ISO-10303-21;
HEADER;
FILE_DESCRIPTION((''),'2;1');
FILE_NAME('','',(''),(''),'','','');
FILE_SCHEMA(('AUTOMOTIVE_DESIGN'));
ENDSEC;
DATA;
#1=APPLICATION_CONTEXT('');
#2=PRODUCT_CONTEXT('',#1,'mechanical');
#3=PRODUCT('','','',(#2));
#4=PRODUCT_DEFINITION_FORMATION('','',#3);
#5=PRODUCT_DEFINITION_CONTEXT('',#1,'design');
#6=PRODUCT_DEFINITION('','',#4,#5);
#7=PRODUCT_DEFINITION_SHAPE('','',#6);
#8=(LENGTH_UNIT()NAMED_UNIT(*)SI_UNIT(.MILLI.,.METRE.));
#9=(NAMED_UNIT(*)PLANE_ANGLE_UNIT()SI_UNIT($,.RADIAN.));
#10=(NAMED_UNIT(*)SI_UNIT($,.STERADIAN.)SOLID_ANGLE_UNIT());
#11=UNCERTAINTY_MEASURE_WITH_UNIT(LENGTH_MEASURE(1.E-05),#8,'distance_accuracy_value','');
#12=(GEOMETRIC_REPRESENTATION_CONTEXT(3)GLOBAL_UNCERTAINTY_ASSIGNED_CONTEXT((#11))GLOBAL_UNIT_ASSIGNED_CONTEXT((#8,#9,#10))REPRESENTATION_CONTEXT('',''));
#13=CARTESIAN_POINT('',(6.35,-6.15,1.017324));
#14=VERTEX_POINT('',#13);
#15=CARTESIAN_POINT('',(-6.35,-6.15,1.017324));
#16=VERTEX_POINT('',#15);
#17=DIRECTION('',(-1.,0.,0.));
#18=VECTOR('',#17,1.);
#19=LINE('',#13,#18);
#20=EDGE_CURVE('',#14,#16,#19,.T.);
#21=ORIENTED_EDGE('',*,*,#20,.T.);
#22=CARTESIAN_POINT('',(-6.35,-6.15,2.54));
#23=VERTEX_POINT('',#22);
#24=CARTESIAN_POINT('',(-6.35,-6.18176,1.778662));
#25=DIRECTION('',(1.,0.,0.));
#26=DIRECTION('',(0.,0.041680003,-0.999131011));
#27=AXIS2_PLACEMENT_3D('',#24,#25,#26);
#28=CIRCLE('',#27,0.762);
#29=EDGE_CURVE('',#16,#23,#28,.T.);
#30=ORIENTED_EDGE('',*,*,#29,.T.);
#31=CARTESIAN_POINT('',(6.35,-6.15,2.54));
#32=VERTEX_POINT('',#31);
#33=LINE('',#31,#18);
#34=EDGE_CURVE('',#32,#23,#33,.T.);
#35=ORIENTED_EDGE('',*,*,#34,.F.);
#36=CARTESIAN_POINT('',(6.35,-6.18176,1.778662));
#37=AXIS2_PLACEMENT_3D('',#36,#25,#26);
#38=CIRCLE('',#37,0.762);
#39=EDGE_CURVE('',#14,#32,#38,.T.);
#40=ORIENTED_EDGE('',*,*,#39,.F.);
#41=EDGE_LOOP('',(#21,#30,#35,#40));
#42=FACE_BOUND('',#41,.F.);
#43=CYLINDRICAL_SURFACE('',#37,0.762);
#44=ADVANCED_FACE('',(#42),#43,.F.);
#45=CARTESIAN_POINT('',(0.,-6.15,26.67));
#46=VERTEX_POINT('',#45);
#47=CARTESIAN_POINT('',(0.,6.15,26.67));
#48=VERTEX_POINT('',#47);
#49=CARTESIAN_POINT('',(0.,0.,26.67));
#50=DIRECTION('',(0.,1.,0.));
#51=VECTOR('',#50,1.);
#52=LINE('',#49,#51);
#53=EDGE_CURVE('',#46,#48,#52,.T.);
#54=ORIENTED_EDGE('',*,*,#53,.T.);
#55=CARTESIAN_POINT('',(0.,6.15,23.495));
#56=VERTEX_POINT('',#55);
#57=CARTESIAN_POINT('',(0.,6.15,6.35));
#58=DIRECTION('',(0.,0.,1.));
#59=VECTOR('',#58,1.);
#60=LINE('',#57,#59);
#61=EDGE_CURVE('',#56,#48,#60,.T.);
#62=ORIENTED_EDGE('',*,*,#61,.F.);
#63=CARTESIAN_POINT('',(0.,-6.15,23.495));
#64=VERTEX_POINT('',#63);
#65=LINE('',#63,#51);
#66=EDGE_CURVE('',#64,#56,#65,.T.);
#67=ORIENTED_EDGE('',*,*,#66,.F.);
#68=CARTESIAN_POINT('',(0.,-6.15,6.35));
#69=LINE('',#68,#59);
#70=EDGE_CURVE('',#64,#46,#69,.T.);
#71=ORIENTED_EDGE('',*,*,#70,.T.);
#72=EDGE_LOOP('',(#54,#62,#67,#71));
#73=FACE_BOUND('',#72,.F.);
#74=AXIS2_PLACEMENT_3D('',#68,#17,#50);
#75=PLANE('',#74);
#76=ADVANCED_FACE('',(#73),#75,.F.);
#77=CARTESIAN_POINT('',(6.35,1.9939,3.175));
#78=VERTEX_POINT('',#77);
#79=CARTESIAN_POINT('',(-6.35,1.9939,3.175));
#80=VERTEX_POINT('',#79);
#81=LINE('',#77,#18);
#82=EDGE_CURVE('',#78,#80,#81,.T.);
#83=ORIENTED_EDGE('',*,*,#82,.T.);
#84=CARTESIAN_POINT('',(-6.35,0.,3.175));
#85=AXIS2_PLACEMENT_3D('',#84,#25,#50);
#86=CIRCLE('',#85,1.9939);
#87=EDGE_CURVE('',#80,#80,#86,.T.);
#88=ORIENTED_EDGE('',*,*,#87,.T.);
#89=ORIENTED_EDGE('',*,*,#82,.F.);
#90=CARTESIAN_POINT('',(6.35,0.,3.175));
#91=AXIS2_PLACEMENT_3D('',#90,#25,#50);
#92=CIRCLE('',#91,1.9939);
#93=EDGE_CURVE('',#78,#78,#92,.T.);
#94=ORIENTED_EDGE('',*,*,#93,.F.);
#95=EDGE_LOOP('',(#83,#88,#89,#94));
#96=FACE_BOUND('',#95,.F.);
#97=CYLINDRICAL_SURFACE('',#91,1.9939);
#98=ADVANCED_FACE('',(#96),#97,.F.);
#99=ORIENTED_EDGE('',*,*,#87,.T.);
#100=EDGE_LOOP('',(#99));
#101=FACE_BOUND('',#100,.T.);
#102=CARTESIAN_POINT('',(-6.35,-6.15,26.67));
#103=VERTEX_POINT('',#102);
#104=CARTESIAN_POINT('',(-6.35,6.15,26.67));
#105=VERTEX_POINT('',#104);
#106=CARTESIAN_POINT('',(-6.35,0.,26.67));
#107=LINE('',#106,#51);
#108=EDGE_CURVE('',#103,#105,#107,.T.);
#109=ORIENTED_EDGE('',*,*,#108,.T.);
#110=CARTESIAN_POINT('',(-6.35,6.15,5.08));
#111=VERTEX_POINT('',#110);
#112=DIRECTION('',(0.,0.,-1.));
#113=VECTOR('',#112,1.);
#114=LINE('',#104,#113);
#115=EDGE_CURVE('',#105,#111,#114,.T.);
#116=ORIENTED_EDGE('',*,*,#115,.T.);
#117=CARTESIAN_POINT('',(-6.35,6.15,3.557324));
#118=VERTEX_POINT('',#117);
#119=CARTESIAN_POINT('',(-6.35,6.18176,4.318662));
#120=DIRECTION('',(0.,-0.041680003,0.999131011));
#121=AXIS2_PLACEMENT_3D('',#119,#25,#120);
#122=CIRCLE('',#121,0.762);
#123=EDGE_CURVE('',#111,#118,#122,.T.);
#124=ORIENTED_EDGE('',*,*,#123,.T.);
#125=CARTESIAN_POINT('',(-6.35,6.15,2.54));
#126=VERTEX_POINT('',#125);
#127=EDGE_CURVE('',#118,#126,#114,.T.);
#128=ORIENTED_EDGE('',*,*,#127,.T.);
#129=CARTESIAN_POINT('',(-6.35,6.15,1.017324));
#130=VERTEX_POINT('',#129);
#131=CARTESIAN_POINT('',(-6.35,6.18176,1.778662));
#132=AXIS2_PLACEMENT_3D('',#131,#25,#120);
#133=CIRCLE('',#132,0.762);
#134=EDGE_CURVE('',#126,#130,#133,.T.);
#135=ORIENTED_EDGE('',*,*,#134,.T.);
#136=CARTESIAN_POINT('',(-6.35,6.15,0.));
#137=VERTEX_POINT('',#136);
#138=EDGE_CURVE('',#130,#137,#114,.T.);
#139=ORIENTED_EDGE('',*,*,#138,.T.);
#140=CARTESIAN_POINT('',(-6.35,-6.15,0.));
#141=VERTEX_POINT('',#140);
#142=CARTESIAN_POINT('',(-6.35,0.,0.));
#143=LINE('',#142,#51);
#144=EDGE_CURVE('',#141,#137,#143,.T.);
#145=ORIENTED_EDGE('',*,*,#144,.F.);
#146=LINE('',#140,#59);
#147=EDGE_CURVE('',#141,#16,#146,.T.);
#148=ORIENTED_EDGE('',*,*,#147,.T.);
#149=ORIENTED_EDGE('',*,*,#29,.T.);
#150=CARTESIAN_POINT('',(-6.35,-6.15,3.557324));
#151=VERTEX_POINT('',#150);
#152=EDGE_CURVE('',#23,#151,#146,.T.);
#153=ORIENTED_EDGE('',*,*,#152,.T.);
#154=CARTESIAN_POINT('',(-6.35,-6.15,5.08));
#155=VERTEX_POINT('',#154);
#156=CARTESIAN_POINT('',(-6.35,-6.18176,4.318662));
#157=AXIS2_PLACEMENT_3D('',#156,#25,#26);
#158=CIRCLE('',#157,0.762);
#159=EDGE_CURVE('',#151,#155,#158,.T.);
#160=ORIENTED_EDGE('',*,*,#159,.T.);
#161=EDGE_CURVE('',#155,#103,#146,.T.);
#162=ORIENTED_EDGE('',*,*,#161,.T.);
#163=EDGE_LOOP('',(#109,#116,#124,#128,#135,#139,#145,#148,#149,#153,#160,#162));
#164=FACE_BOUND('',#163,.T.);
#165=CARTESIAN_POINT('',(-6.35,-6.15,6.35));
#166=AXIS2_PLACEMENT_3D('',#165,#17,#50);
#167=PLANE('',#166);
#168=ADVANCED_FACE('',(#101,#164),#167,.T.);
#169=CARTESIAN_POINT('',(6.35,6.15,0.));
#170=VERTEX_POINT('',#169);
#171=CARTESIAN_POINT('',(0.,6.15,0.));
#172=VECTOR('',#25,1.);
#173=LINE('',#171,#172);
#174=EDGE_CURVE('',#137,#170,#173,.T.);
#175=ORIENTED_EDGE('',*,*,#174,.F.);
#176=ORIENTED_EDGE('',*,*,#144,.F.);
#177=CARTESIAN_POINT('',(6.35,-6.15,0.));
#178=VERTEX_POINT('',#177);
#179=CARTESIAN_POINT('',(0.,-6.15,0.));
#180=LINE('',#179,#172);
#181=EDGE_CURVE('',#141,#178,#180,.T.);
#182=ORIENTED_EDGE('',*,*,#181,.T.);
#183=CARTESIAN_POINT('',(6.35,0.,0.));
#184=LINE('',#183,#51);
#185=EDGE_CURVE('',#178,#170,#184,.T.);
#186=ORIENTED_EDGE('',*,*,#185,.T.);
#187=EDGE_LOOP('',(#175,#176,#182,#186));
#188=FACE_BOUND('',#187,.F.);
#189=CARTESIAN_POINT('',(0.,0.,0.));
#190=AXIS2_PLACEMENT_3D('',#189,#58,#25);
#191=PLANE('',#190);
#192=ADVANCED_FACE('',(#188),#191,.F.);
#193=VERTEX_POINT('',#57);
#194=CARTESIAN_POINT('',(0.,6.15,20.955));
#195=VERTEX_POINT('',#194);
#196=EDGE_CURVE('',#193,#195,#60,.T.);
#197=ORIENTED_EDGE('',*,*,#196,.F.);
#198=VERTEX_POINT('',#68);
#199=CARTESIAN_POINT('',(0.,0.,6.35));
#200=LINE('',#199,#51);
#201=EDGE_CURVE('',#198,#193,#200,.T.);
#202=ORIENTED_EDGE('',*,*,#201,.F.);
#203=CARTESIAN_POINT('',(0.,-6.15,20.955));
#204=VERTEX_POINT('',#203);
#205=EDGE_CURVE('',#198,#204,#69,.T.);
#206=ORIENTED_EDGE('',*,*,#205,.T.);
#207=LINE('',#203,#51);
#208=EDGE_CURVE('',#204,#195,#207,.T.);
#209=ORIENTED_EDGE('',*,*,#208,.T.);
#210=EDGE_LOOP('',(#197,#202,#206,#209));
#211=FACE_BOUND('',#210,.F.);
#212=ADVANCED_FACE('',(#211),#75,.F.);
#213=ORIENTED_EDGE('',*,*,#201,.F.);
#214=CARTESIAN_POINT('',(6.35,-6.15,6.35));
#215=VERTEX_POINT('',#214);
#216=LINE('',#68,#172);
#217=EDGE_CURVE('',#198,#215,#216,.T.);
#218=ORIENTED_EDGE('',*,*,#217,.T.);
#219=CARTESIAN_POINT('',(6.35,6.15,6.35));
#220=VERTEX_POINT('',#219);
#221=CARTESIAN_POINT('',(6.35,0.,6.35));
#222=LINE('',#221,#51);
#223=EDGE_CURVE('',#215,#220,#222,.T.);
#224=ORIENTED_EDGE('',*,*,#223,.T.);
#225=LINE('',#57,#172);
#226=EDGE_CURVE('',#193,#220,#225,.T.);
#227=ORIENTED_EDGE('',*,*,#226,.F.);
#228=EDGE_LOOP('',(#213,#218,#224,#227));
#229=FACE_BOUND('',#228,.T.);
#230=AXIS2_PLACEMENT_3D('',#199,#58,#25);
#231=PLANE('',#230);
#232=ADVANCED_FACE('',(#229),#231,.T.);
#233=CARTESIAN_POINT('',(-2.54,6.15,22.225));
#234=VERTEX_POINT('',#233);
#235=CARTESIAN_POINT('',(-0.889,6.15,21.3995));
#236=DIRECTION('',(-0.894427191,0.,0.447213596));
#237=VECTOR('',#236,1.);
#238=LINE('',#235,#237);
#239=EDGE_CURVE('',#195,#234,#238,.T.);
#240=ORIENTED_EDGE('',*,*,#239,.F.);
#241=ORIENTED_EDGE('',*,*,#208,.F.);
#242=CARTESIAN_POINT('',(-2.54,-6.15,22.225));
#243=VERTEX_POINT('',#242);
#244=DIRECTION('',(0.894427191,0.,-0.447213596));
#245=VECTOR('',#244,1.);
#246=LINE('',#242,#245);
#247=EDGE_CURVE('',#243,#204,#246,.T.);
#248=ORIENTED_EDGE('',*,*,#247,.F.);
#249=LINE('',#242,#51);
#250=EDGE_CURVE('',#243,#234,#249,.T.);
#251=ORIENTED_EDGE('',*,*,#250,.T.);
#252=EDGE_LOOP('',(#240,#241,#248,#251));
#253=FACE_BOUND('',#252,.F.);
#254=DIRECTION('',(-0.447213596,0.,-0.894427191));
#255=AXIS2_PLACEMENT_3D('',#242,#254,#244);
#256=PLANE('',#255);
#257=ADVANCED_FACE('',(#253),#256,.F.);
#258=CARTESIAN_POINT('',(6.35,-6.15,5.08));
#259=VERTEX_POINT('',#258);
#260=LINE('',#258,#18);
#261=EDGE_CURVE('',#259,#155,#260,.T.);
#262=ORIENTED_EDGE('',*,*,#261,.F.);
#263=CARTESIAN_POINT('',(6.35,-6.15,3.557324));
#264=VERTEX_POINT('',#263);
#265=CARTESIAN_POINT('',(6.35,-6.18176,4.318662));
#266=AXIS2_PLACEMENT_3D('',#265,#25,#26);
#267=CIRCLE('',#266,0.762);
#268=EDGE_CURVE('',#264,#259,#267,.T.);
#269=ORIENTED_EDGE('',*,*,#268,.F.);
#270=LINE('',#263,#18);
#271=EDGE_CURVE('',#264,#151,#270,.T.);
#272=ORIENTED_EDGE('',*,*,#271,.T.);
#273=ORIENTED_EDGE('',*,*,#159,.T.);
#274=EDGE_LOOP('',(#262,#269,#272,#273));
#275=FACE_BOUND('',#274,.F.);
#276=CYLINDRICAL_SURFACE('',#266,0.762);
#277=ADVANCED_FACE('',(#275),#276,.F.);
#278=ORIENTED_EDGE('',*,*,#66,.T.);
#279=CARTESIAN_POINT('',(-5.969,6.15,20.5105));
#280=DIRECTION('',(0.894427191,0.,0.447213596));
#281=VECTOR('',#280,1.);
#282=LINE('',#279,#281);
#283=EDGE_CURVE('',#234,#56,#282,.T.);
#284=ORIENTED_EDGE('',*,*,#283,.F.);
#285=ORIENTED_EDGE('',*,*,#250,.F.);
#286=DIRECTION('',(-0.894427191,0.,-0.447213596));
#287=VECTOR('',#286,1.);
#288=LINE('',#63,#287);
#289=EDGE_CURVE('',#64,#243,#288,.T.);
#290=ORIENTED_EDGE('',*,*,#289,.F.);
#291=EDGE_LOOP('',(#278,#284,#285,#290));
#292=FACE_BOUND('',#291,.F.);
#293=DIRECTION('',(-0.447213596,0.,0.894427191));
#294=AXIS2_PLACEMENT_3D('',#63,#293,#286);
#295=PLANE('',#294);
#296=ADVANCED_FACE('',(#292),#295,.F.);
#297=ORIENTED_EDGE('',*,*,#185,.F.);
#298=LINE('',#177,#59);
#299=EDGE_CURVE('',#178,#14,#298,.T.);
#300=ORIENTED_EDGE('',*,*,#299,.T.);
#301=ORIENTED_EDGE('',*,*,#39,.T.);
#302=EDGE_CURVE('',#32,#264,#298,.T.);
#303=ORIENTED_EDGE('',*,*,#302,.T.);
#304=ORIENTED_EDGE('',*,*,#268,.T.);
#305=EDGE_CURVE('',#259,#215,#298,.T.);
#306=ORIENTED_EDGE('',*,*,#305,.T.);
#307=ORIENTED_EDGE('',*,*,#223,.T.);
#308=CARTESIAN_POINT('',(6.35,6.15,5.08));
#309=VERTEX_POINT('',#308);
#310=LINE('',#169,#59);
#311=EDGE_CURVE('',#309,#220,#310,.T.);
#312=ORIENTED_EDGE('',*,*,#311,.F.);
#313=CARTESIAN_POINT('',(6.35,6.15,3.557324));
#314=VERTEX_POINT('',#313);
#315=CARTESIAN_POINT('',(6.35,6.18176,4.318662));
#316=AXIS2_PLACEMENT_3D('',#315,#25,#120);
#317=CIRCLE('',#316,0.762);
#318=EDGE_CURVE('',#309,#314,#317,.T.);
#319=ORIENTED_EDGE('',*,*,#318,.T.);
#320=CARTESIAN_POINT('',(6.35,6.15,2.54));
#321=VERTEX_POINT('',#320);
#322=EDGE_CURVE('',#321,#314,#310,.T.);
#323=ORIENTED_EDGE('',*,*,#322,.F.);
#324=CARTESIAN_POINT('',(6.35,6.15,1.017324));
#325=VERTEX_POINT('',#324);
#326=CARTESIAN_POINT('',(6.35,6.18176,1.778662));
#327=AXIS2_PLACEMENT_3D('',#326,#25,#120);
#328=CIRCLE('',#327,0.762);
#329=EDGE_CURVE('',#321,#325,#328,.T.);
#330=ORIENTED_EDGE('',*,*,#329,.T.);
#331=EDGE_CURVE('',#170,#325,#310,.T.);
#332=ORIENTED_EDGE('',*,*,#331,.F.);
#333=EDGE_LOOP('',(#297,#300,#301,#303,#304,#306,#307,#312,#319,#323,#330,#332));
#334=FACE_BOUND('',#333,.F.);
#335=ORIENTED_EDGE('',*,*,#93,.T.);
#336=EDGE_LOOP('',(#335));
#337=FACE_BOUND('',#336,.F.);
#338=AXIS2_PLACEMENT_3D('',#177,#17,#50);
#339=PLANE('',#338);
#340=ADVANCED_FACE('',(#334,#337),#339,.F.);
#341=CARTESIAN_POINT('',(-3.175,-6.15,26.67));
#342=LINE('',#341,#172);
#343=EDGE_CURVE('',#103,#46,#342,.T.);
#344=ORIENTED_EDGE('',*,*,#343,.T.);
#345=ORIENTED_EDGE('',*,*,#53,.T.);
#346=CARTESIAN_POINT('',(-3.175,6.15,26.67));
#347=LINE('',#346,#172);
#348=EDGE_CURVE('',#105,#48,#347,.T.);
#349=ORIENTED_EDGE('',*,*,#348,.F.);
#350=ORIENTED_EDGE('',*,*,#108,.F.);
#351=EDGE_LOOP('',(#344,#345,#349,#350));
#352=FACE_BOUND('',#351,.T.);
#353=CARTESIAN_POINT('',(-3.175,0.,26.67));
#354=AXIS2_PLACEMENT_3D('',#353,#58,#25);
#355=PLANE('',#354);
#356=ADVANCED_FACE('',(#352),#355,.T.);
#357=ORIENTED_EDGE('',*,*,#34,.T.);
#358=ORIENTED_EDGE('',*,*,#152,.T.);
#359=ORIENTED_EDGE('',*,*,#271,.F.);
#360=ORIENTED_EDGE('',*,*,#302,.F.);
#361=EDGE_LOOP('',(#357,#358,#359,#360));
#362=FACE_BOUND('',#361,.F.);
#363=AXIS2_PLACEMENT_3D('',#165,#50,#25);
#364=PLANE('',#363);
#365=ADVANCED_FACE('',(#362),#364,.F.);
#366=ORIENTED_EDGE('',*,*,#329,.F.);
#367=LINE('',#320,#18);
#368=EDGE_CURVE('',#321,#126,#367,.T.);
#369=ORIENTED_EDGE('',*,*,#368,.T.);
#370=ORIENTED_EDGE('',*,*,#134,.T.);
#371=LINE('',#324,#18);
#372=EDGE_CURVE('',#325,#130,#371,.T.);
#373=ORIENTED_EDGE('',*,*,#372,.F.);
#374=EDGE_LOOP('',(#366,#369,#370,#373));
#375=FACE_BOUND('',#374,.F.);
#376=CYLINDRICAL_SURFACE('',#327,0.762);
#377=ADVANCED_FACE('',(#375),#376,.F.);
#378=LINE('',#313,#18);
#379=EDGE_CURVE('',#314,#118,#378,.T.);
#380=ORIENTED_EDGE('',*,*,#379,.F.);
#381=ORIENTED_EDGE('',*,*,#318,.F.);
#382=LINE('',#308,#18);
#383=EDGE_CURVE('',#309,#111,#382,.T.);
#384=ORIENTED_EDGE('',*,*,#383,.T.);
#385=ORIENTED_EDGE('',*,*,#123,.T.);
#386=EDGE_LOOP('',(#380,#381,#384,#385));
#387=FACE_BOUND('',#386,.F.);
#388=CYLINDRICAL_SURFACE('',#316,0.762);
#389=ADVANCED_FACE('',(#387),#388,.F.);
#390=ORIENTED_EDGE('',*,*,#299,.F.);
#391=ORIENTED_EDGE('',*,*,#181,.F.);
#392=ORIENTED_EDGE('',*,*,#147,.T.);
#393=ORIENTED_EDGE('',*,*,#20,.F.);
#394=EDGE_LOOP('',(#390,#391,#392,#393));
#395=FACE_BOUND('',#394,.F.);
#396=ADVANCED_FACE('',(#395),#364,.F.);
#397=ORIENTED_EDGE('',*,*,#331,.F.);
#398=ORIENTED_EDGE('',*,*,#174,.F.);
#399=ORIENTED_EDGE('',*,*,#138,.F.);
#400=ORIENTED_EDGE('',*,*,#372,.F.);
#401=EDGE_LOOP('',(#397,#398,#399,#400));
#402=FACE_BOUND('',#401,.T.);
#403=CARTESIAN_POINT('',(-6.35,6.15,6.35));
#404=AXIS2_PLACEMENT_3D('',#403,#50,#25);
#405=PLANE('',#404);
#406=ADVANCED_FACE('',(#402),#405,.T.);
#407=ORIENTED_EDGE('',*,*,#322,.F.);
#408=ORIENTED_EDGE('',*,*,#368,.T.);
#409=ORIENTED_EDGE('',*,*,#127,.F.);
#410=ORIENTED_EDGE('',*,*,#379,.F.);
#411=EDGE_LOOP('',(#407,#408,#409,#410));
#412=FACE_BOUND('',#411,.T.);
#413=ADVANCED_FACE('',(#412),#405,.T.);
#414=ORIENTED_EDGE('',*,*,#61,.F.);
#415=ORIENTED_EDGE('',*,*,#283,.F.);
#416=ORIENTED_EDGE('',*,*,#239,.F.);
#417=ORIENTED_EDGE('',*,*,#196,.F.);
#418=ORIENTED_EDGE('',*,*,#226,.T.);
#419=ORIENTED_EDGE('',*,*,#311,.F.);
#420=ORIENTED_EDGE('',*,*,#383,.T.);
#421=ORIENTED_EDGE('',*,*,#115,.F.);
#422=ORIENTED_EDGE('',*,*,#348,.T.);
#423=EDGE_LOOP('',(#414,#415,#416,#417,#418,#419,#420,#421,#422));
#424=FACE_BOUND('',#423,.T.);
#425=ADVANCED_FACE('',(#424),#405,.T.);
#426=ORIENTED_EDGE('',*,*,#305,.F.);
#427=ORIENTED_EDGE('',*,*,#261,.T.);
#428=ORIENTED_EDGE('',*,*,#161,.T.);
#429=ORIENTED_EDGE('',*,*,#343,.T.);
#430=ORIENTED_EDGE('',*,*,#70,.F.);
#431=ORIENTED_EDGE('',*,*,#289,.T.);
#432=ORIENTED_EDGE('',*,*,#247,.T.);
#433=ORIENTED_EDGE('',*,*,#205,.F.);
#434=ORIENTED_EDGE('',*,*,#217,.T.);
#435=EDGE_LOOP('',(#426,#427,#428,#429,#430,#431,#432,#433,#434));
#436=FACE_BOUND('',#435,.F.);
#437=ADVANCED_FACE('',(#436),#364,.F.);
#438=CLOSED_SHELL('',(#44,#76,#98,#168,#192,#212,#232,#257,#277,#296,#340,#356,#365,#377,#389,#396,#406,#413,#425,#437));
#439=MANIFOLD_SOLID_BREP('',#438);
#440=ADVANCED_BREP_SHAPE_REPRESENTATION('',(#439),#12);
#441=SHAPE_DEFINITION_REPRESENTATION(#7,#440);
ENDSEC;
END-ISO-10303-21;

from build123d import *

# Parameters (mm, degrees)
F0_W     = 12.7
F0_H     = 12.3
F1_DEPTH = 6.35
F2_W     = 6.35
F2_H     = 12.3
F3_DEPTH = 20.32
F4_R     = 1.9939
F5_DEPTH = 12.701
F7_DEPTH = 12.301
F9_DEPTH = 12.701


with BuildPart() as f1:
    # F0 (on Top) → F1 (new body)
    with BuildSketch(Plane.XY):
        Rectangle(F0_W, F0_H)
    extrude(amount=F1_DEPTH)

    # F2 (on face) → F3 (join)
    with BuildSketch(Plane.XY.offset(6.35)):
        with Locations((-3.175, 0)):
            Rectangle(F2_W, F2_H)
    extrude(amount=F3_DEPTH)

    # F4 (on face) → F5 (cut, through all)
    with BuildSketch(Plane.YZ.offset(6.35)):
        with Locations((0, 3.175)):
            Circle(F4_R)
    extrude(amount=-F5_DEPTH, mode=Mode.SUBTRACT)

    # F6 (on face) → F7 (cut, through all)
    with BuildSketch(Plane.XZ.offset(6.15)):
        Polygon((0, 20.955), (0, 23.495), (-2.54, 22.225), align=None)
    extrude(amount=-F7_DEPTH, mode=Mode.SUBTRACT)

    # F8 (on face) → F9 (cut, through all)
    with BuildSketch(Plane.YZ.offset(6.35)):
        with BuildLine():
            Line((-6.15, 5.08), (-6.15, 3.557324))
            ThreePointArc((-6.15, 3.557324), (-5.41976, 4.318662), (-6.15, 5.08))
        make_face()
        with BuildLine():
            Line((-6.15, 2.54), (-6.15, 1.017324))
            ThreePointArc((-6.15, 1.017324), (-5.41976, 1.778662), (-6.15, 2.54))
        make_face()
        with BuildLine():
            ThreePointArc((6.15, 2.54), (5.41976, 1.778662), (6.15, 1.017324))
            Line((6.15, 1.017324), (6.15, 2.54))
        make_face()
        with BuildLine():
            ThreePointArc((6.15, 5.08), (5.41976, 4.318662), (6.15, 3.557324))
            Line((6.15, 3.557324), (6.15, 5.08))
        make_face()
    extrude(amount=-F9_DEPTH, mode=Mode.SUBTRACT)


solid = f1.part
